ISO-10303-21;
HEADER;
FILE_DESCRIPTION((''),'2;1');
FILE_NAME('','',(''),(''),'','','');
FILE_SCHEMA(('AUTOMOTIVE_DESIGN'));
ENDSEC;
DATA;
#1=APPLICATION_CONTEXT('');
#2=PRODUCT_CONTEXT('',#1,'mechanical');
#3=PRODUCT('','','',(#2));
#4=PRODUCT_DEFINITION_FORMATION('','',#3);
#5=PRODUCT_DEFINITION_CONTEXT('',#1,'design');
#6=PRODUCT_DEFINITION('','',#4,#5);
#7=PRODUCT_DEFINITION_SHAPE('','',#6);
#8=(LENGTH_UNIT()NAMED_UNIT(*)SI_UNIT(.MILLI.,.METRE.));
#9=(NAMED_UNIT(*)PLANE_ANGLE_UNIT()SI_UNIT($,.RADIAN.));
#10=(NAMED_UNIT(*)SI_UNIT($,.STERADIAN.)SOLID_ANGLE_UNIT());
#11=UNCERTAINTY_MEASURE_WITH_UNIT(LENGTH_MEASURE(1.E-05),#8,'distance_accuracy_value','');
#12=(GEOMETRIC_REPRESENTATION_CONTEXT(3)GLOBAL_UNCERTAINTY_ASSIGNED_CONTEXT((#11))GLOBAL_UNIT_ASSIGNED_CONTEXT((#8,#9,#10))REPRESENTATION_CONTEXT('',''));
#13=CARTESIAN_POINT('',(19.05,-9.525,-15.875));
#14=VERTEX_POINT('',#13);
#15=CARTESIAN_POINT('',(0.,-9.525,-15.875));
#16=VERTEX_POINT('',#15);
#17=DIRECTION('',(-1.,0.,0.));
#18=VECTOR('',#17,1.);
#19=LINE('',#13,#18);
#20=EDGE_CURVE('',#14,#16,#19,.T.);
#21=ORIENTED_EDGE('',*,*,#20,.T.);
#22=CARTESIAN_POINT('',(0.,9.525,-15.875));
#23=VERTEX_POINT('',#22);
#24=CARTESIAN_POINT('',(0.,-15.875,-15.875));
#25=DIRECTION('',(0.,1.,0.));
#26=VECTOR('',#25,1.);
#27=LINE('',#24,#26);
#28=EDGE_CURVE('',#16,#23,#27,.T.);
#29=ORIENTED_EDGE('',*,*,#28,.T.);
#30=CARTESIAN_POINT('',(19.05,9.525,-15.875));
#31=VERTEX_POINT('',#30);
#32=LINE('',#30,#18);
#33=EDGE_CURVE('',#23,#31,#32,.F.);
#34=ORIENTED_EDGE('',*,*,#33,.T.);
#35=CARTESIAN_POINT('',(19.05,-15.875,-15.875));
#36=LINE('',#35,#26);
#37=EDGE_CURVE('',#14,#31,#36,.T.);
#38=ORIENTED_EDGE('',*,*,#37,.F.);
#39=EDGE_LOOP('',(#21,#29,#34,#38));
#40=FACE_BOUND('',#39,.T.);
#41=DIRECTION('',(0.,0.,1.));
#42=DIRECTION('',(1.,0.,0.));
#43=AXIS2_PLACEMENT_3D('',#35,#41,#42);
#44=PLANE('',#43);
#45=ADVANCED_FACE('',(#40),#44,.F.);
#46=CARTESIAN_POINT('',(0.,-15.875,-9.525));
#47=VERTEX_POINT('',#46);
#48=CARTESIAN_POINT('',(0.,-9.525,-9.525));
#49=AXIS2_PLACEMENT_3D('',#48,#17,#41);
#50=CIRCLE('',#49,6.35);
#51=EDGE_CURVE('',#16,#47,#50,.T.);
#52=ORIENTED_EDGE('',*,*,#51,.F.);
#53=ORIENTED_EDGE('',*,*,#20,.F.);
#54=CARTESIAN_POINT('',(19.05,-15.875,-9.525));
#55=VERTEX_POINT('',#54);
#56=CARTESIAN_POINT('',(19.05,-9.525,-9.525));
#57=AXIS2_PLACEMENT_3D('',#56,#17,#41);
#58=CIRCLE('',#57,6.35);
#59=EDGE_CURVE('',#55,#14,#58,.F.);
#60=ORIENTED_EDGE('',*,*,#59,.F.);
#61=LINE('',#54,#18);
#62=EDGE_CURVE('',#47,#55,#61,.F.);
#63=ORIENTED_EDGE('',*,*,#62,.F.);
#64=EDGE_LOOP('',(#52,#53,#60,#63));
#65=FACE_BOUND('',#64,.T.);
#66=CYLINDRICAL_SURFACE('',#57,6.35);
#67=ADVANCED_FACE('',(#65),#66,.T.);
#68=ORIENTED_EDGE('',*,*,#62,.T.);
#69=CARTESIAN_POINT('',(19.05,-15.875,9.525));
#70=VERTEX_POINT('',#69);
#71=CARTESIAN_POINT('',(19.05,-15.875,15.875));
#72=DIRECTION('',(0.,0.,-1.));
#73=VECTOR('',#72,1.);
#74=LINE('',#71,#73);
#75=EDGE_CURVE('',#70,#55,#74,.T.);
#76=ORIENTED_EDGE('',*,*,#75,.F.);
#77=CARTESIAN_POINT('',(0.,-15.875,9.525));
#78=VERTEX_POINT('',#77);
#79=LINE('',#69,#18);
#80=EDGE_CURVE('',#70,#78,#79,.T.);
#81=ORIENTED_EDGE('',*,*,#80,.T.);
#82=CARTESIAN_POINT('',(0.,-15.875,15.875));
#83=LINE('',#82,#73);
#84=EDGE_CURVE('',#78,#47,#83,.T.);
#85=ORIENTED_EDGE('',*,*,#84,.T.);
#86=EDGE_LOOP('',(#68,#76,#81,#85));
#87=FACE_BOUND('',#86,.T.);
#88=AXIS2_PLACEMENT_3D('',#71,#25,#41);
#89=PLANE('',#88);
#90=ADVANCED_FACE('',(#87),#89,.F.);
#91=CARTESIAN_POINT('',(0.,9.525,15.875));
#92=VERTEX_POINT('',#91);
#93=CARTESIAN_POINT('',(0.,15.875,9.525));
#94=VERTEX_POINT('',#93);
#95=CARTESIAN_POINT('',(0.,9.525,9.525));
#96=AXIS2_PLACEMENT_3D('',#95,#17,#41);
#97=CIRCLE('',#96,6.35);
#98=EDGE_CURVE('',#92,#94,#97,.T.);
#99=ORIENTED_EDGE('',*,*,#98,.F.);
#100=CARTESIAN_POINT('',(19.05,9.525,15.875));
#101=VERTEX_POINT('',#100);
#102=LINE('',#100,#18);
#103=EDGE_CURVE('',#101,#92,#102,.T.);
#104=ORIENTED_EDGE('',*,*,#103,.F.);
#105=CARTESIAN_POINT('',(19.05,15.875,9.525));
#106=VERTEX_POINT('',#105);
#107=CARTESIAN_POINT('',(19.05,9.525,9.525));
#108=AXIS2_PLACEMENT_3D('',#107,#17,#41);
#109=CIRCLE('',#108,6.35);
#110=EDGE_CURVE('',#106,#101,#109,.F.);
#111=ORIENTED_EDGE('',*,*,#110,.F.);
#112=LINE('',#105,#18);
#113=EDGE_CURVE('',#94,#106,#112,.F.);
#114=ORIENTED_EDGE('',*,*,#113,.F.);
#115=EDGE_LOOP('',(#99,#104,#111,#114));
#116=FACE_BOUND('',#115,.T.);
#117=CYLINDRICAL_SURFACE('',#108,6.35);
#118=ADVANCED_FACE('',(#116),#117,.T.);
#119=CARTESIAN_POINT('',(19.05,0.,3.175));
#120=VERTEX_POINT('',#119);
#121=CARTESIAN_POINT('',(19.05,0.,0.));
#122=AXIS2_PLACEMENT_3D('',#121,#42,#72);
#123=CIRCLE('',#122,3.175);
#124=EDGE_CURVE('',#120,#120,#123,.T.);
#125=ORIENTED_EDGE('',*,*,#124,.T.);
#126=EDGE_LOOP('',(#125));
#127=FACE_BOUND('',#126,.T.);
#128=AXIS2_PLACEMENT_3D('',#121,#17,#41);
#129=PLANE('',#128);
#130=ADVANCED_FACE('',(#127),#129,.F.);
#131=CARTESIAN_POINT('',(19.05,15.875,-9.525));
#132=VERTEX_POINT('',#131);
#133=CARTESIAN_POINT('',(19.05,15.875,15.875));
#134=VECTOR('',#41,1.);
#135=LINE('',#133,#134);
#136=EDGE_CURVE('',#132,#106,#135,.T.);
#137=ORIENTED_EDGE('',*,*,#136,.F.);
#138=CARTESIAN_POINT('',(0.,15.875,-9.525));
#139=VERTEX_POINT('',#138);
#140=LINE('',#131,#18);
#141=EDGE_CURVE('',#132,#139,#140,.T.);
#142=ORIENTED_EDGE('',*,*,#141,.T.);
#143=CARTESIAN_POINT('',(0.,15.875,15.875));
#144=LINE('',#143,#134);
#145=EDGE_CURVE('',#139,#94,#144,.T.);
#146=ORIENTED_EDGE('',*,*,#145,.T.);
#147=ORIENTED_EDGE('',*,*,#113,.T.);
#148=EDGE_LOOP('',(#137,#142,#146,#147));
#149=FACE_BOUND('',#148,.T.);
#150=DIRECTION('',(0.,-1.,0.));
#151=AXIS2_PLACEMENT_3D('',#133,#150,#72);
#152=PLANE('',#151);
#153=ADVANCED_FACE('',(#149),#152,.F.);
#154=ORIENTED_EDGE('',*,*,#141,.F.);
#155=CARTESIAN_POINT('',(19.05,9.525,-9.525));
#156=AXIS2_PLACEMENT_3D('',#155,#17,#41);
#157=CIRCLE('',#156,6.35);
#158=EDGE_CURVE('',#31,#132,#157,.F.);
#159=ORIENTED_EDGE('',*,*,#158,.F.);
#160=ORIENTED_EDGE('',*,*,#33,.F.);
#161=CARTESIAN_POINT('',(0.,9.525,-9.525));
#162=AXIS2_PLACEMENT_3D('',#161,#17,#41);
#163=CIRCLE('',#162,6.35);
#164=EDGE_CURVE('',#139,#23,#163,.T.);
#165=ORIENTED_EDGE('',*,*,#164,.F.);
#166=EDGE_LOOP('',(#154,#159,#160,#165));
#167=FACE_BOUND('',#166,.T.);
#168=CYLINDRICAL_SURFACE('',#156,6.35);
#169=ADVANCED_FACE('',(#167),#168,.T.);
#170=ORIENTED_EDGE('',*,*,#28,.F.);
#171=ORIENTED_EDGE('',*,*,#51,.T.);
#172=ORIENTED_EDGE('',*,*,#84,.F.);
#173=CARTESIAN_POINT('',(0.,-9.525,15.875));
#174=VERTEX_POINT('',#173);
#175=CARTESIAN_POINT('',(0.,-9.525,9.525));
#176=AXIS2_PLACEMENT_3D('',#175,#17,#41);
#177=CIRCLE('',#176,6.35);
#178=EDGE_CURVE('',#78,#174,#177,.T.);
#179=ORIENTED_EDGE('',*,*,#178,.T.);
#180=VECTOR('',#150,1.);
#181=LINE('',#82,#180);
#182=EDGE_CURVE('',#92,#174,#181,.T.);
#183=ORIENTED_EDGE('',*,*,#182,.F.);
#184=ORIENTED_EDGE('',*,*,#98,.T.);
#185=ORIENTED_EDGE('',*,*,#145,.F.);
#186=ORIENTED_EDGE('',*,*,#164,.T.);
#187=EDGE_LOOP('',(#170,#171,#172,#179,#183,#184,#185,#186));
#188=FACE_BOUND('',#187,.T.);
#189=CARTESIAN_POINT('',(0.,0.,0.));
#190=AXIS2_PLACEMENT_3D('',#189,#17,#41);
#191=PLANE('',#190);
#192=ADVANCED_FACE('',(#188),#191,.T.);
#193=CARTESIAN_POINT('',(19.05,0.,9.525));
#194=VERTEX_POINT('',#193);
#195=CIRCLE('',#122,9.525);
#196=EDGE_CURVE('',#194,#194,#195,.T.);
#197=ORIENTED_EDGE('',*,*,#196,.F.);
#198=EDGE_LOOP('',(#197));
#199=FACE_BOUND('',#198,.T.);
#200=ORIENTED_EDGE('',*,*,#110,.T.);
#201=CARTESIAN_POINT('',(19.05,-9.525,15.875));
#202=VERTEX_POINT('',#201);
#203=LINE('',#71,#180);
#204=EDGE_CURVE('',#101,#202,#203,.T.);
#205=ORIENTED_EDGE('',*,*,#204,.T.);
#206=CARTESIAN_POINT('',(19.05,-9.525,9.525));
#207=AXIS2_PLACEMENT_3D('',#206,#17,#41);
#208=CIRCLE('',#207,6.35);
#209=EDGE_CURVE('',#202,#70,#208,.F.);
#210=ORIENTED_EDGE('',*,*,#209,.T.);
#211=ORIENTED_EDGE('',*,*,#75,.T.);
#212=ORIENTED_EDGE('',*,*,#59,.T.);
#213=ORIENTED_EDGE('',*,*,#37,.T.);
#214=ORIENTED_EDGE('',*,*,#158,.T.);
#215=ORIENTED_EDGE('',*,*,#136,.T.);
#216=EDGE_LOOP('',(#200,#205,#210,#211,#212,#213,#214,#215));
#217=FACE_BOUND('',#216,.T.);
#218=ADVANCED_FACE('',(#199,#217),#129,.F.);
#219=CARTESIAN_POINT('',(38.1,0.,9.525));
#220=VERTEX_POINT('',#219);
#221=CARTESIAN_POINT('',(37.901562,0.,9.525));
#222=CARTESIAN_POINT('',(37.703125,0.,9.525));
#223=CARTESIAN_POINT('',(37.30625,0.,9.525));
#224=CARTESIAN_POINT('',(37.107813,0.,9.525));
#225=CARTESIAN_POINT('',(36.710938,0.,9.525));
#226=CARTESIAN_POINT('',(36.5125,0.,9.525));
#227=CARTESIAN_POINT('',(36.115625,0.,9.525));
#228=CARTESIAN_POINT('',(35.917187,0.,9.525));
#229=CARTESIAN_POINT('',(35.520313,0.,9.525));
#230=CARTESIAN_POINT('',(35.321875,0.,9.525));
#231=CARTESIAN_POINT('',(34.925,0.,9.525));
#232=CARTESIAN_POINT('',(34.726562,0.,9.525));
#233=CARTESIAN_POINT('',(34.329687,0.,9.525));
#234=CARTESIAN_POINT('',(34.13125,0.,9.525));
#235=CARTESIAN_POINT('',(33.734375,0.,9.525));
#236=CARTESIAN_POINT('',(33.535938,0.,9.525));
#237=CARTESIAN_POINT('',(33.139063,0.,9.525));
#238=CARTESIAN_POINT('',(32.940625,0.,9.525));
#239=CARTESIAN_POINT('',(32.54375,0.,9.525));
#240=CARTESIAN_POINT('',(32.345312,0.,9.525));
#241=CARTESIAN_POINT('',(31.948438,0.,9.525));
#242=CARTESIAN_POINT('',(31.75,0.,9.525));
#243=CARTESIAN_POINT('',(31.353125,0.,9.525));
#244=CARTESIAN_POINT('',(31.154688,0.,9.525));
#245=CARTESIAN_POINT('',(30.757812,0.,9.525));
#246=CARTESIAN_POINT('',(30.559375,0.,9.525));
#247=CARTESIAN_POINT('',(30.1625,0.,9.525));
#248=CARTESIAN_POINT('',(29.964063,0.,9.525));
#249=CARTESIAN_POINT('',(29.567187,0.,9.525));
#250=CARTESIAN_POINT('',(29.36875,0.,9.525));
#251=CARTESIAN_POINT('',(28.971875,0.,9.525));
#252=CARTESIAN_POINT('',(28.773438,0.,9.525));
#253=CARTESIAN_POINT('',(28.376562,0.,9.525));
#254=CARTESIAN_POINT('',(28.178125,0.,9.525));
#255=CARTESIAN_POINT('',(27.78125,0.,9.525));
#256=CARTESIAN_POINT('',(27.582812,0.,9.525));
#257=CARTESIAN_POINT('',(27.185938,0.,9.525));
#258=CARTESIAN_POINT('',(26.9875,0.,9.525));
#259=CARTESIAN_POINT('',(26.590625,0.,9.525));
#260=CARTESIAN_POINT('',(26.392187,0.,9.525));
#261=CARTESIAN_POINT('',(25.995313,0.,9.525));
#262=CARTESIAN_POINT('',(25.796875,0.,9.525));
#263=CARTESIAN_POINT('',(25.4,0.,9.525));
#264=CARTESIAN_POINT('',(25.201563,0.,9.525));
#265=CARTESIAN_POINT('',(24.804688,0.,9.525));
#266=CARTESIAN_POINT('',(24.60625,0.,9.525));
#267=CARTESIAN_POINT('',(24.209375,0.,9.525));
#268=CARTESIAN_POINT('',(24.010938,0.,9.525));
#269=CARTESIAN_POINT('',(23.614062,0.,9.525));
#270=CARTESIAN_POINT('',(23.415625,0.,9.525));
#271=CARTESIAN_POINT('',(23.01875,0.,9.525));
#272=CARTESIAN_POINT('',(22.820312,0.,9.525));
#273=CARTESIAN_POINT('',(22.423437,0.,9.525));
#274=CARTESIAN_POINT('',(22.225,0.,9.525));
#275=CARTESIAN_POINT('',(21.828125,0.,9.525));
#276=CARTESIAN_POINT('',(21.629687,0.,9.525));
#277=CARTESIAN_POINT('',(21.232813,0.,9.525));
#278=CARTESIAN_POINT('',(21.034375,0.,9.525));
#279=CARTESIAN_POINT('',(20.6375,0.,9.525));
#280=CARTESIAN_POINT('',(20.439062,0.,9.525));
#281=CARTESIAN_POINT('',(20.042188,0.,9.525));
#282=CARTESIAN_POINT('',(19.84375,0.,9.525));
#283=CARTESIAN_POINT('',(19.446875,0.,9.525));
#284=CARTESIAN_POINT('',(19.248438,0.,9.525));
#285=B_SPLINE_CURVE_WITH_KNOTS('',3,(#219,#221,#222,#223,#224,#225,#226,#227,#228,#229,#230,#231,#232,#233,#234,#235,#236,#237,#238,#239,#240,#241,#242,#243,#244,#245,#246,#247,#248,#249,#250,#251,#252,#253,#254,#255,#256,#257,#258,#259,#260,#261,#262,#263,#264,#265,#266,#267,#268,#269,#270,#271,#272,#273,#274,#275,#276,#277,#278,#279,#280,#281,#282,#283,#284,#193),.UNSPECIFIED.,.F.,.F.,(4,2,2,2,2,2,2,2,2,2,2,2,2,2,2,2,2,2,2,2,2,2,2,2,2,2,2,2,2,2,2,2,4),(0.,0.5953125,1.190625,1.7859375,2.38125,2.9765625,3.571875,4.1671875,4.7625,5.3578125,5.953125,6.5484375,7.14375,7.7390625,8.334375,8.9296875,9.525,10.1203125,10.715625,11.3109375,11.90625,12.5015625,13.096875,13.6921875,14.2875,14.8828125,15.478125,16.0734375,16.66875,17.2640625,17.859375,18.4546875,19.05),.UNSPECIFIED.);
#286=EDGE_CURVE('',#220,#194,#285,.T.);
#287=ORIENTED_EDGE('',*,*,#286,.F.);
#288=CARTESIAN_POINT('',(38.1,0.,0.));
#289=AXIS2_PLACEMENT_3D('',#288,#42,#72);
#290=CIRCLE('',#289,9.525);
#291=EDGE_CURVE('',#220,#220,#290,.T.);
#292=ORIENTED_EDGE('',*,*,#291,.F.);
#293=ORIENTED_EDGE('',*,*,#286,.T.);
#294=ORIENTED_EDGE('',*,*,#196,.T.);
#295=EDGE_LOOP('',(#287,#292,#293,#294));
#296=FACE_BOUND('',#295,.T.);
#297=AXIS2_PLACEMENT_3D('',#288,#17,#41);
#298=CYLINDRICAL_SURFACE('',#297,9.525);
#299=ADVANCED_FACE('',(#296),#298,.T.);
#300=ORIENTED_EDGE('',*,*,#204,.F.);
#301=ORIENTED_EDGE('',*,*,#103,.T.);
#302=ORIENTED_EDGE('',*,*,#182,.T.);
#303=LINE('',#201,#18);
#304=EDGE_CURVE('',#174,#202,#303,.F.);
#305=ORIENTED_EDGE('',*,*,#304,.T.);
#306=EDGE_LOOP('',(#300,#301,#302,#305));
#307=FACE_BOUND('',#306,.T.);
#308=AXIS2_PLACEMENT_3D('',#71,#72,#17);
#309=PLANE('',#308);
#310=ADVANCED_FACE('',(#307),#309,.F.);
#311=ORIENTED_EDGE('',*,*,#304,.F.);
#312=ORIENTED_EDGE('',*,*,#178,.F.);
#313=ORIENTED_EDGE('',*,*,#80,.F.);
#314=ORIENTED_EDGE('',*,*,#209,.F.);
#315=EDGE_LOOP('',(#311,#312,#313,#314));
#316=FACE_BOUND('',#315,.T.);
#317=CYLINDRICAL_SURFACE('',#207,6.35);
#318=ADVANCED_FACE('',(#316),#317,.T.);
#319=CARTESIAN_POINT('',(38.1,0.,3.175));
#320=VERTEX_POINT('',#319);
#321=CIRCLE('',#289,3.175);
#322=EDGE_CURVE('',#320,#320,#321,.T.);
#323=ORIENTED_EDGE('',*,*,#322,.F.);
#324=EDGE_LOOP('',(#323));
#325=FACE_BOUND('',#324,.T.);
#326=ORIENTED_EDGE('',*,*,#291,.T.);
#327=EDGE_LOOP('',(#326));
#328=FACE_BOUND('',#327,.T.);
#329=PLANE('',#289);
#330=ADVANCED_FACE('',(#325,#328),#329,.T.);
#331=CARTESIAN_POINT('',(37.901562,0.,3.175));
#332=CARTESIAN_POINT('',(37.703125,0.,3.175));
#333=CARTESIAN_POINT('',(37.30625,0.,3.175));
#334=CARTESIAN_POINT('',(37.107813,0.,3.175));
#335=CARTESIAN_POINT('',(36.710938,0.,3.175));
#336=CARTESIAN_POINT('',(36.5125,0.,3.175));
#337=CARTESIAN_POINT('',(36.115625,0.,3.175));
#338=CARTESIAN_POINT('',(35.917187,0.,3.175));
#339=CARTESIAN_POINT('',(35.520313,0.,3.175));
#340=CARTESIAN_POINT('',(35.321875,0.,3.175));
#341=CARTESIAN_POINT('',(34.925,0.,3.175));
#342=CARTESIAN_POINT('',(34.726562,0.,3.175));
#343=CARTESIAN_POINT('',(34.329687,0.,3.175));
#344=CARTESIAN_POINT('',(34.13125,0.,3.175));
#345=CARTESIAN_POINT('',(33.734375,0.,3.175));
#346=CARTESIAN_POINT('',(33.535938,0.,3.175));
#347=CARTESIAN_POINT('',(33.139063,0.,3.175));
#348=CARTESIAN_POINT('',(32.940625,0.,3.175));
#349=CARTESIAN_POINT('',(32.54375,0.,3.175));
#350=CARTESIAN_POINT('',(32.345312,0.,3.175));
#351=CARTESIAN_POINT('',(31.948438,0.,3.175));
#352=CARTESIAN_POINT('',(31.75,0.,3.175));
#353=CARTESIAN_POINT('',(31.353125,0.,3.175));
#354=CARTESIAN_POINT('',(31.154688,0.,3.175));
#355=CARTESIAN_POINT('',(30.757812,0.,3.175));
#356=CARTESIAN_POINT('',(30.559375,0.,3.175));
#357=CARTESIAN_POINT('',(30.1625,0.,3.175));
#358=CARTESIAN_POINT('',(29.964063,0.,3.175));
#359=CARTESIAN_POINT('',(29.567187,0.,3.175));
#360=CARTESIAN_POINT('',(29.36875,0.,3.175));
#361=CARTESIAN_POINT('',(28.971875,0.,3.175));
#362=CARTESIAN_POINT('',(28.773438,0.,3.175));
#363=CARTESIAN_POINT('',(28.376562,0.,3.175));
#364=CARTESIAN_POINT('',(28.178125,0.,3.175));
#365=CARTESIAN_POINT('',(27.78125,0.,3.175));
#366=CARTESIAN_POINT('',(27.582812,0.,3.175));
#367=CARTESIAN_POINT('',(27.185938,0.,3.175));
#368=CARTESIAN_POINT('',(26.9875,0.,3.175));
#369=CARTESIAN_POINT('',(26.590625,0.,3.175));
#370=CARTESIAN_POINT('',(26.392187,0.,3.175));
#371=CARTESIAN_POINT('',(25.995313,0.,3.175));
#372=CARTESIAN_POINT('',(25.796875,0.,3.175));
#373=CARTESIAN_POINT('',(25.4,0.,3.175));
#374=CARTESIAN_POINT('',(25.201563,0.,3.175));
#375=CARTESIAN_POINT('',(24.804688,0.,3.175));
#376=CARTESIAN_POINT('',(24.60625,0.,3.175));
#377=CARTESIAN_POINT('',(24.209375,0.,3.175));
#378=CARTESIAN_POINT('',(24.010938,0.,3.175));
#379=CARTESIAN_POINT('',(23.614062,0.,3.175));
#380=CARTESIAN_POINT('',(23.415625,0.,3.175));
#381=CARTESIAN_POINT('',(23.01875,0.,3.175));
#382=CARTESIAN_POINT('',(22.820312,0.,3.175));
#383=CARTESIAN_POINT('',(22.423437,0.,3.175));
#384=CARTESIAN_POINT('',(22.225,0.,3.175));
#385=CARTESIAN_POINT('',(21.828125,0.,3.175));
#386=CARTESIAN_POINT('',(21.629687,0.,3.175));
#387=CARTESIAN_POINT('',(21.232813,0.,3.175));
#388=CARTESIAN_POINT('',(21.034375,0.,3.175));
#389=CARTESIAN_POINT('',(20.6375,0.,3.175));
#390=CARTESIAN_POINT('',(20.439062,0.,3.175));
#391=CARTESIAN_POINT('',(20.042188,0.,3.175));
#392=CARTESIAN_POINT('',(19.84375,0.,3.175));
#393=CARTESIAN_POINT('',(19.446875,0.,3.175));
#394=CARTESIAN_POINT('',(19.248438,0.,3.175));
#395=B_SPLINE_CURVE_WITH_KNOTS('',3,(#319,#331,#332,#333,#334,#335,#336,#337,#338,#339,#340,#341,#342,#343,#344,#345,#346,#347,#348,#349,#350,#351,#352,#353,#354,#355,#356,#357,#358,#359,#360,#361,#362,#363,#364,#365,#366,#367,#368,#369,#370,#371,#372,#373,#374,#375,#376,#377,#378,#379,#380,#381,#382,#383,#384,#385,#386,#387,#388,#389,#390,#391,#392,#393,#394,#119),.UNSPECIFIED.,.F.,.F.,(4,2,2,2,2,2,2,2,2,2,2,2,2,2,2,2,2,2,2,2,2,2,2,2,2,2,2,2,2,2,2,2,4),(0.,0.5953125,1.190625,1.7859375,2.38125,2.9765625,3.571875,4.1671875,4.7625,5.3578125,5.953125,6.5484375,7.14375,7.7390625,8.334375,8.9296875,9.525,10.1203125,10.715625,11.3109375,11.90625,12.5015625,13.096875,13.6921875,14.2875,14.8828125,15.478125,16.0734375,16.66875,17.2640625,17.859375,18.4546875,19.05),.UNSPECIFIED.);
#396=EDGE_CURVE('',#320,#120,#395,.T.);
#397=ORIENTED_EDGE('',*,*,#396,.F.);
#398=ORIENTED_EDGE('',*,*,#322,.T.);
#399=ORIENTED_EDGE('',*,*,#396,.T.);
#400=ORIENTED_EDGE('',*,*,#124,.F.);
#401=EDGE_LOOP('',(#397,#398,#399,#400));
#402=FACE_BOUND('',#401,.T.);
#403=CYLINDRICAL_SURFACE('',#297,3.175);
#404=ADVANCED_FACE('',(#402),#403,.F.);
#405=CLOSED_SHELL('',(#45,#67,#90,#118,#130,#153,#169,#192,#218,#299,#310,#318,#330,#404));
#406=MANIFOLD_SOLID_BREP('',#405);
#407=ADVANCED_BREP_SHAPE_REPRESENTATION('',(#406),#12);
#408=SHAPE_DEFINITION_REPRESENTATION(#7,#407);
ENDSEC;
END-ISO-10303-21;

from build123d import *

# Parameters (mm, degrees)
SKETCH1_W           = 31.75
SKETCH1_H           = 31.75
BOSS_EXTRUDE1_DEPTH = 19.05
SKETCH2_R           = 9.525
SKETCH2_R_2         = 3.175
BOSS_EXTRUDE2_DEPTH = 19.05
FILLET1_R           = 6.35


with BuildPart() as part:
    # Sketch1 → Boss-Extrude1 (new body)
    with BuildSketch(Plane(origin=(0, 0, 0), x_dir=(0, 0, -1), z_dir=(1, 0, 0))):
        Rectangle(SKETCH1_W, SKETCH1_H)
    extrude(amount=BOSS_EXTRUDE1_DEPTH)

    # Sketch2 → Boss-Extrude2 (add)
    with BuildSketch(Plane(origin=(19.05, 0, 0), x_dir=(0, 0, -1), z_dir=(1, 0, 0))):
        with Locations(Location((0, 0, 0), (0, 0, 180))):
            Circle(SKETCH2_R)
        with Locations(Location((0, 0, 0), (0, 0, 180))):
            Circle(SKETCH2_R_2, mode=Mode.SUBTRACT)
    extrude(amount=BOSS_EXTRUDE2_DEPTH)

    # Fillet1
    fillet1_edges = [part.edges().sort_by_distance(p)[0] for p in [
        (9.525, -15.875, -15.875),
        (9.525, -15.875, 15.875),
        (9.525, 15.875, 15.875),
        (9.525, 15.875, -15.875),
    ]]
    fillet(fillet1_edges, radius=FILLET1_R)


solid = part.part
